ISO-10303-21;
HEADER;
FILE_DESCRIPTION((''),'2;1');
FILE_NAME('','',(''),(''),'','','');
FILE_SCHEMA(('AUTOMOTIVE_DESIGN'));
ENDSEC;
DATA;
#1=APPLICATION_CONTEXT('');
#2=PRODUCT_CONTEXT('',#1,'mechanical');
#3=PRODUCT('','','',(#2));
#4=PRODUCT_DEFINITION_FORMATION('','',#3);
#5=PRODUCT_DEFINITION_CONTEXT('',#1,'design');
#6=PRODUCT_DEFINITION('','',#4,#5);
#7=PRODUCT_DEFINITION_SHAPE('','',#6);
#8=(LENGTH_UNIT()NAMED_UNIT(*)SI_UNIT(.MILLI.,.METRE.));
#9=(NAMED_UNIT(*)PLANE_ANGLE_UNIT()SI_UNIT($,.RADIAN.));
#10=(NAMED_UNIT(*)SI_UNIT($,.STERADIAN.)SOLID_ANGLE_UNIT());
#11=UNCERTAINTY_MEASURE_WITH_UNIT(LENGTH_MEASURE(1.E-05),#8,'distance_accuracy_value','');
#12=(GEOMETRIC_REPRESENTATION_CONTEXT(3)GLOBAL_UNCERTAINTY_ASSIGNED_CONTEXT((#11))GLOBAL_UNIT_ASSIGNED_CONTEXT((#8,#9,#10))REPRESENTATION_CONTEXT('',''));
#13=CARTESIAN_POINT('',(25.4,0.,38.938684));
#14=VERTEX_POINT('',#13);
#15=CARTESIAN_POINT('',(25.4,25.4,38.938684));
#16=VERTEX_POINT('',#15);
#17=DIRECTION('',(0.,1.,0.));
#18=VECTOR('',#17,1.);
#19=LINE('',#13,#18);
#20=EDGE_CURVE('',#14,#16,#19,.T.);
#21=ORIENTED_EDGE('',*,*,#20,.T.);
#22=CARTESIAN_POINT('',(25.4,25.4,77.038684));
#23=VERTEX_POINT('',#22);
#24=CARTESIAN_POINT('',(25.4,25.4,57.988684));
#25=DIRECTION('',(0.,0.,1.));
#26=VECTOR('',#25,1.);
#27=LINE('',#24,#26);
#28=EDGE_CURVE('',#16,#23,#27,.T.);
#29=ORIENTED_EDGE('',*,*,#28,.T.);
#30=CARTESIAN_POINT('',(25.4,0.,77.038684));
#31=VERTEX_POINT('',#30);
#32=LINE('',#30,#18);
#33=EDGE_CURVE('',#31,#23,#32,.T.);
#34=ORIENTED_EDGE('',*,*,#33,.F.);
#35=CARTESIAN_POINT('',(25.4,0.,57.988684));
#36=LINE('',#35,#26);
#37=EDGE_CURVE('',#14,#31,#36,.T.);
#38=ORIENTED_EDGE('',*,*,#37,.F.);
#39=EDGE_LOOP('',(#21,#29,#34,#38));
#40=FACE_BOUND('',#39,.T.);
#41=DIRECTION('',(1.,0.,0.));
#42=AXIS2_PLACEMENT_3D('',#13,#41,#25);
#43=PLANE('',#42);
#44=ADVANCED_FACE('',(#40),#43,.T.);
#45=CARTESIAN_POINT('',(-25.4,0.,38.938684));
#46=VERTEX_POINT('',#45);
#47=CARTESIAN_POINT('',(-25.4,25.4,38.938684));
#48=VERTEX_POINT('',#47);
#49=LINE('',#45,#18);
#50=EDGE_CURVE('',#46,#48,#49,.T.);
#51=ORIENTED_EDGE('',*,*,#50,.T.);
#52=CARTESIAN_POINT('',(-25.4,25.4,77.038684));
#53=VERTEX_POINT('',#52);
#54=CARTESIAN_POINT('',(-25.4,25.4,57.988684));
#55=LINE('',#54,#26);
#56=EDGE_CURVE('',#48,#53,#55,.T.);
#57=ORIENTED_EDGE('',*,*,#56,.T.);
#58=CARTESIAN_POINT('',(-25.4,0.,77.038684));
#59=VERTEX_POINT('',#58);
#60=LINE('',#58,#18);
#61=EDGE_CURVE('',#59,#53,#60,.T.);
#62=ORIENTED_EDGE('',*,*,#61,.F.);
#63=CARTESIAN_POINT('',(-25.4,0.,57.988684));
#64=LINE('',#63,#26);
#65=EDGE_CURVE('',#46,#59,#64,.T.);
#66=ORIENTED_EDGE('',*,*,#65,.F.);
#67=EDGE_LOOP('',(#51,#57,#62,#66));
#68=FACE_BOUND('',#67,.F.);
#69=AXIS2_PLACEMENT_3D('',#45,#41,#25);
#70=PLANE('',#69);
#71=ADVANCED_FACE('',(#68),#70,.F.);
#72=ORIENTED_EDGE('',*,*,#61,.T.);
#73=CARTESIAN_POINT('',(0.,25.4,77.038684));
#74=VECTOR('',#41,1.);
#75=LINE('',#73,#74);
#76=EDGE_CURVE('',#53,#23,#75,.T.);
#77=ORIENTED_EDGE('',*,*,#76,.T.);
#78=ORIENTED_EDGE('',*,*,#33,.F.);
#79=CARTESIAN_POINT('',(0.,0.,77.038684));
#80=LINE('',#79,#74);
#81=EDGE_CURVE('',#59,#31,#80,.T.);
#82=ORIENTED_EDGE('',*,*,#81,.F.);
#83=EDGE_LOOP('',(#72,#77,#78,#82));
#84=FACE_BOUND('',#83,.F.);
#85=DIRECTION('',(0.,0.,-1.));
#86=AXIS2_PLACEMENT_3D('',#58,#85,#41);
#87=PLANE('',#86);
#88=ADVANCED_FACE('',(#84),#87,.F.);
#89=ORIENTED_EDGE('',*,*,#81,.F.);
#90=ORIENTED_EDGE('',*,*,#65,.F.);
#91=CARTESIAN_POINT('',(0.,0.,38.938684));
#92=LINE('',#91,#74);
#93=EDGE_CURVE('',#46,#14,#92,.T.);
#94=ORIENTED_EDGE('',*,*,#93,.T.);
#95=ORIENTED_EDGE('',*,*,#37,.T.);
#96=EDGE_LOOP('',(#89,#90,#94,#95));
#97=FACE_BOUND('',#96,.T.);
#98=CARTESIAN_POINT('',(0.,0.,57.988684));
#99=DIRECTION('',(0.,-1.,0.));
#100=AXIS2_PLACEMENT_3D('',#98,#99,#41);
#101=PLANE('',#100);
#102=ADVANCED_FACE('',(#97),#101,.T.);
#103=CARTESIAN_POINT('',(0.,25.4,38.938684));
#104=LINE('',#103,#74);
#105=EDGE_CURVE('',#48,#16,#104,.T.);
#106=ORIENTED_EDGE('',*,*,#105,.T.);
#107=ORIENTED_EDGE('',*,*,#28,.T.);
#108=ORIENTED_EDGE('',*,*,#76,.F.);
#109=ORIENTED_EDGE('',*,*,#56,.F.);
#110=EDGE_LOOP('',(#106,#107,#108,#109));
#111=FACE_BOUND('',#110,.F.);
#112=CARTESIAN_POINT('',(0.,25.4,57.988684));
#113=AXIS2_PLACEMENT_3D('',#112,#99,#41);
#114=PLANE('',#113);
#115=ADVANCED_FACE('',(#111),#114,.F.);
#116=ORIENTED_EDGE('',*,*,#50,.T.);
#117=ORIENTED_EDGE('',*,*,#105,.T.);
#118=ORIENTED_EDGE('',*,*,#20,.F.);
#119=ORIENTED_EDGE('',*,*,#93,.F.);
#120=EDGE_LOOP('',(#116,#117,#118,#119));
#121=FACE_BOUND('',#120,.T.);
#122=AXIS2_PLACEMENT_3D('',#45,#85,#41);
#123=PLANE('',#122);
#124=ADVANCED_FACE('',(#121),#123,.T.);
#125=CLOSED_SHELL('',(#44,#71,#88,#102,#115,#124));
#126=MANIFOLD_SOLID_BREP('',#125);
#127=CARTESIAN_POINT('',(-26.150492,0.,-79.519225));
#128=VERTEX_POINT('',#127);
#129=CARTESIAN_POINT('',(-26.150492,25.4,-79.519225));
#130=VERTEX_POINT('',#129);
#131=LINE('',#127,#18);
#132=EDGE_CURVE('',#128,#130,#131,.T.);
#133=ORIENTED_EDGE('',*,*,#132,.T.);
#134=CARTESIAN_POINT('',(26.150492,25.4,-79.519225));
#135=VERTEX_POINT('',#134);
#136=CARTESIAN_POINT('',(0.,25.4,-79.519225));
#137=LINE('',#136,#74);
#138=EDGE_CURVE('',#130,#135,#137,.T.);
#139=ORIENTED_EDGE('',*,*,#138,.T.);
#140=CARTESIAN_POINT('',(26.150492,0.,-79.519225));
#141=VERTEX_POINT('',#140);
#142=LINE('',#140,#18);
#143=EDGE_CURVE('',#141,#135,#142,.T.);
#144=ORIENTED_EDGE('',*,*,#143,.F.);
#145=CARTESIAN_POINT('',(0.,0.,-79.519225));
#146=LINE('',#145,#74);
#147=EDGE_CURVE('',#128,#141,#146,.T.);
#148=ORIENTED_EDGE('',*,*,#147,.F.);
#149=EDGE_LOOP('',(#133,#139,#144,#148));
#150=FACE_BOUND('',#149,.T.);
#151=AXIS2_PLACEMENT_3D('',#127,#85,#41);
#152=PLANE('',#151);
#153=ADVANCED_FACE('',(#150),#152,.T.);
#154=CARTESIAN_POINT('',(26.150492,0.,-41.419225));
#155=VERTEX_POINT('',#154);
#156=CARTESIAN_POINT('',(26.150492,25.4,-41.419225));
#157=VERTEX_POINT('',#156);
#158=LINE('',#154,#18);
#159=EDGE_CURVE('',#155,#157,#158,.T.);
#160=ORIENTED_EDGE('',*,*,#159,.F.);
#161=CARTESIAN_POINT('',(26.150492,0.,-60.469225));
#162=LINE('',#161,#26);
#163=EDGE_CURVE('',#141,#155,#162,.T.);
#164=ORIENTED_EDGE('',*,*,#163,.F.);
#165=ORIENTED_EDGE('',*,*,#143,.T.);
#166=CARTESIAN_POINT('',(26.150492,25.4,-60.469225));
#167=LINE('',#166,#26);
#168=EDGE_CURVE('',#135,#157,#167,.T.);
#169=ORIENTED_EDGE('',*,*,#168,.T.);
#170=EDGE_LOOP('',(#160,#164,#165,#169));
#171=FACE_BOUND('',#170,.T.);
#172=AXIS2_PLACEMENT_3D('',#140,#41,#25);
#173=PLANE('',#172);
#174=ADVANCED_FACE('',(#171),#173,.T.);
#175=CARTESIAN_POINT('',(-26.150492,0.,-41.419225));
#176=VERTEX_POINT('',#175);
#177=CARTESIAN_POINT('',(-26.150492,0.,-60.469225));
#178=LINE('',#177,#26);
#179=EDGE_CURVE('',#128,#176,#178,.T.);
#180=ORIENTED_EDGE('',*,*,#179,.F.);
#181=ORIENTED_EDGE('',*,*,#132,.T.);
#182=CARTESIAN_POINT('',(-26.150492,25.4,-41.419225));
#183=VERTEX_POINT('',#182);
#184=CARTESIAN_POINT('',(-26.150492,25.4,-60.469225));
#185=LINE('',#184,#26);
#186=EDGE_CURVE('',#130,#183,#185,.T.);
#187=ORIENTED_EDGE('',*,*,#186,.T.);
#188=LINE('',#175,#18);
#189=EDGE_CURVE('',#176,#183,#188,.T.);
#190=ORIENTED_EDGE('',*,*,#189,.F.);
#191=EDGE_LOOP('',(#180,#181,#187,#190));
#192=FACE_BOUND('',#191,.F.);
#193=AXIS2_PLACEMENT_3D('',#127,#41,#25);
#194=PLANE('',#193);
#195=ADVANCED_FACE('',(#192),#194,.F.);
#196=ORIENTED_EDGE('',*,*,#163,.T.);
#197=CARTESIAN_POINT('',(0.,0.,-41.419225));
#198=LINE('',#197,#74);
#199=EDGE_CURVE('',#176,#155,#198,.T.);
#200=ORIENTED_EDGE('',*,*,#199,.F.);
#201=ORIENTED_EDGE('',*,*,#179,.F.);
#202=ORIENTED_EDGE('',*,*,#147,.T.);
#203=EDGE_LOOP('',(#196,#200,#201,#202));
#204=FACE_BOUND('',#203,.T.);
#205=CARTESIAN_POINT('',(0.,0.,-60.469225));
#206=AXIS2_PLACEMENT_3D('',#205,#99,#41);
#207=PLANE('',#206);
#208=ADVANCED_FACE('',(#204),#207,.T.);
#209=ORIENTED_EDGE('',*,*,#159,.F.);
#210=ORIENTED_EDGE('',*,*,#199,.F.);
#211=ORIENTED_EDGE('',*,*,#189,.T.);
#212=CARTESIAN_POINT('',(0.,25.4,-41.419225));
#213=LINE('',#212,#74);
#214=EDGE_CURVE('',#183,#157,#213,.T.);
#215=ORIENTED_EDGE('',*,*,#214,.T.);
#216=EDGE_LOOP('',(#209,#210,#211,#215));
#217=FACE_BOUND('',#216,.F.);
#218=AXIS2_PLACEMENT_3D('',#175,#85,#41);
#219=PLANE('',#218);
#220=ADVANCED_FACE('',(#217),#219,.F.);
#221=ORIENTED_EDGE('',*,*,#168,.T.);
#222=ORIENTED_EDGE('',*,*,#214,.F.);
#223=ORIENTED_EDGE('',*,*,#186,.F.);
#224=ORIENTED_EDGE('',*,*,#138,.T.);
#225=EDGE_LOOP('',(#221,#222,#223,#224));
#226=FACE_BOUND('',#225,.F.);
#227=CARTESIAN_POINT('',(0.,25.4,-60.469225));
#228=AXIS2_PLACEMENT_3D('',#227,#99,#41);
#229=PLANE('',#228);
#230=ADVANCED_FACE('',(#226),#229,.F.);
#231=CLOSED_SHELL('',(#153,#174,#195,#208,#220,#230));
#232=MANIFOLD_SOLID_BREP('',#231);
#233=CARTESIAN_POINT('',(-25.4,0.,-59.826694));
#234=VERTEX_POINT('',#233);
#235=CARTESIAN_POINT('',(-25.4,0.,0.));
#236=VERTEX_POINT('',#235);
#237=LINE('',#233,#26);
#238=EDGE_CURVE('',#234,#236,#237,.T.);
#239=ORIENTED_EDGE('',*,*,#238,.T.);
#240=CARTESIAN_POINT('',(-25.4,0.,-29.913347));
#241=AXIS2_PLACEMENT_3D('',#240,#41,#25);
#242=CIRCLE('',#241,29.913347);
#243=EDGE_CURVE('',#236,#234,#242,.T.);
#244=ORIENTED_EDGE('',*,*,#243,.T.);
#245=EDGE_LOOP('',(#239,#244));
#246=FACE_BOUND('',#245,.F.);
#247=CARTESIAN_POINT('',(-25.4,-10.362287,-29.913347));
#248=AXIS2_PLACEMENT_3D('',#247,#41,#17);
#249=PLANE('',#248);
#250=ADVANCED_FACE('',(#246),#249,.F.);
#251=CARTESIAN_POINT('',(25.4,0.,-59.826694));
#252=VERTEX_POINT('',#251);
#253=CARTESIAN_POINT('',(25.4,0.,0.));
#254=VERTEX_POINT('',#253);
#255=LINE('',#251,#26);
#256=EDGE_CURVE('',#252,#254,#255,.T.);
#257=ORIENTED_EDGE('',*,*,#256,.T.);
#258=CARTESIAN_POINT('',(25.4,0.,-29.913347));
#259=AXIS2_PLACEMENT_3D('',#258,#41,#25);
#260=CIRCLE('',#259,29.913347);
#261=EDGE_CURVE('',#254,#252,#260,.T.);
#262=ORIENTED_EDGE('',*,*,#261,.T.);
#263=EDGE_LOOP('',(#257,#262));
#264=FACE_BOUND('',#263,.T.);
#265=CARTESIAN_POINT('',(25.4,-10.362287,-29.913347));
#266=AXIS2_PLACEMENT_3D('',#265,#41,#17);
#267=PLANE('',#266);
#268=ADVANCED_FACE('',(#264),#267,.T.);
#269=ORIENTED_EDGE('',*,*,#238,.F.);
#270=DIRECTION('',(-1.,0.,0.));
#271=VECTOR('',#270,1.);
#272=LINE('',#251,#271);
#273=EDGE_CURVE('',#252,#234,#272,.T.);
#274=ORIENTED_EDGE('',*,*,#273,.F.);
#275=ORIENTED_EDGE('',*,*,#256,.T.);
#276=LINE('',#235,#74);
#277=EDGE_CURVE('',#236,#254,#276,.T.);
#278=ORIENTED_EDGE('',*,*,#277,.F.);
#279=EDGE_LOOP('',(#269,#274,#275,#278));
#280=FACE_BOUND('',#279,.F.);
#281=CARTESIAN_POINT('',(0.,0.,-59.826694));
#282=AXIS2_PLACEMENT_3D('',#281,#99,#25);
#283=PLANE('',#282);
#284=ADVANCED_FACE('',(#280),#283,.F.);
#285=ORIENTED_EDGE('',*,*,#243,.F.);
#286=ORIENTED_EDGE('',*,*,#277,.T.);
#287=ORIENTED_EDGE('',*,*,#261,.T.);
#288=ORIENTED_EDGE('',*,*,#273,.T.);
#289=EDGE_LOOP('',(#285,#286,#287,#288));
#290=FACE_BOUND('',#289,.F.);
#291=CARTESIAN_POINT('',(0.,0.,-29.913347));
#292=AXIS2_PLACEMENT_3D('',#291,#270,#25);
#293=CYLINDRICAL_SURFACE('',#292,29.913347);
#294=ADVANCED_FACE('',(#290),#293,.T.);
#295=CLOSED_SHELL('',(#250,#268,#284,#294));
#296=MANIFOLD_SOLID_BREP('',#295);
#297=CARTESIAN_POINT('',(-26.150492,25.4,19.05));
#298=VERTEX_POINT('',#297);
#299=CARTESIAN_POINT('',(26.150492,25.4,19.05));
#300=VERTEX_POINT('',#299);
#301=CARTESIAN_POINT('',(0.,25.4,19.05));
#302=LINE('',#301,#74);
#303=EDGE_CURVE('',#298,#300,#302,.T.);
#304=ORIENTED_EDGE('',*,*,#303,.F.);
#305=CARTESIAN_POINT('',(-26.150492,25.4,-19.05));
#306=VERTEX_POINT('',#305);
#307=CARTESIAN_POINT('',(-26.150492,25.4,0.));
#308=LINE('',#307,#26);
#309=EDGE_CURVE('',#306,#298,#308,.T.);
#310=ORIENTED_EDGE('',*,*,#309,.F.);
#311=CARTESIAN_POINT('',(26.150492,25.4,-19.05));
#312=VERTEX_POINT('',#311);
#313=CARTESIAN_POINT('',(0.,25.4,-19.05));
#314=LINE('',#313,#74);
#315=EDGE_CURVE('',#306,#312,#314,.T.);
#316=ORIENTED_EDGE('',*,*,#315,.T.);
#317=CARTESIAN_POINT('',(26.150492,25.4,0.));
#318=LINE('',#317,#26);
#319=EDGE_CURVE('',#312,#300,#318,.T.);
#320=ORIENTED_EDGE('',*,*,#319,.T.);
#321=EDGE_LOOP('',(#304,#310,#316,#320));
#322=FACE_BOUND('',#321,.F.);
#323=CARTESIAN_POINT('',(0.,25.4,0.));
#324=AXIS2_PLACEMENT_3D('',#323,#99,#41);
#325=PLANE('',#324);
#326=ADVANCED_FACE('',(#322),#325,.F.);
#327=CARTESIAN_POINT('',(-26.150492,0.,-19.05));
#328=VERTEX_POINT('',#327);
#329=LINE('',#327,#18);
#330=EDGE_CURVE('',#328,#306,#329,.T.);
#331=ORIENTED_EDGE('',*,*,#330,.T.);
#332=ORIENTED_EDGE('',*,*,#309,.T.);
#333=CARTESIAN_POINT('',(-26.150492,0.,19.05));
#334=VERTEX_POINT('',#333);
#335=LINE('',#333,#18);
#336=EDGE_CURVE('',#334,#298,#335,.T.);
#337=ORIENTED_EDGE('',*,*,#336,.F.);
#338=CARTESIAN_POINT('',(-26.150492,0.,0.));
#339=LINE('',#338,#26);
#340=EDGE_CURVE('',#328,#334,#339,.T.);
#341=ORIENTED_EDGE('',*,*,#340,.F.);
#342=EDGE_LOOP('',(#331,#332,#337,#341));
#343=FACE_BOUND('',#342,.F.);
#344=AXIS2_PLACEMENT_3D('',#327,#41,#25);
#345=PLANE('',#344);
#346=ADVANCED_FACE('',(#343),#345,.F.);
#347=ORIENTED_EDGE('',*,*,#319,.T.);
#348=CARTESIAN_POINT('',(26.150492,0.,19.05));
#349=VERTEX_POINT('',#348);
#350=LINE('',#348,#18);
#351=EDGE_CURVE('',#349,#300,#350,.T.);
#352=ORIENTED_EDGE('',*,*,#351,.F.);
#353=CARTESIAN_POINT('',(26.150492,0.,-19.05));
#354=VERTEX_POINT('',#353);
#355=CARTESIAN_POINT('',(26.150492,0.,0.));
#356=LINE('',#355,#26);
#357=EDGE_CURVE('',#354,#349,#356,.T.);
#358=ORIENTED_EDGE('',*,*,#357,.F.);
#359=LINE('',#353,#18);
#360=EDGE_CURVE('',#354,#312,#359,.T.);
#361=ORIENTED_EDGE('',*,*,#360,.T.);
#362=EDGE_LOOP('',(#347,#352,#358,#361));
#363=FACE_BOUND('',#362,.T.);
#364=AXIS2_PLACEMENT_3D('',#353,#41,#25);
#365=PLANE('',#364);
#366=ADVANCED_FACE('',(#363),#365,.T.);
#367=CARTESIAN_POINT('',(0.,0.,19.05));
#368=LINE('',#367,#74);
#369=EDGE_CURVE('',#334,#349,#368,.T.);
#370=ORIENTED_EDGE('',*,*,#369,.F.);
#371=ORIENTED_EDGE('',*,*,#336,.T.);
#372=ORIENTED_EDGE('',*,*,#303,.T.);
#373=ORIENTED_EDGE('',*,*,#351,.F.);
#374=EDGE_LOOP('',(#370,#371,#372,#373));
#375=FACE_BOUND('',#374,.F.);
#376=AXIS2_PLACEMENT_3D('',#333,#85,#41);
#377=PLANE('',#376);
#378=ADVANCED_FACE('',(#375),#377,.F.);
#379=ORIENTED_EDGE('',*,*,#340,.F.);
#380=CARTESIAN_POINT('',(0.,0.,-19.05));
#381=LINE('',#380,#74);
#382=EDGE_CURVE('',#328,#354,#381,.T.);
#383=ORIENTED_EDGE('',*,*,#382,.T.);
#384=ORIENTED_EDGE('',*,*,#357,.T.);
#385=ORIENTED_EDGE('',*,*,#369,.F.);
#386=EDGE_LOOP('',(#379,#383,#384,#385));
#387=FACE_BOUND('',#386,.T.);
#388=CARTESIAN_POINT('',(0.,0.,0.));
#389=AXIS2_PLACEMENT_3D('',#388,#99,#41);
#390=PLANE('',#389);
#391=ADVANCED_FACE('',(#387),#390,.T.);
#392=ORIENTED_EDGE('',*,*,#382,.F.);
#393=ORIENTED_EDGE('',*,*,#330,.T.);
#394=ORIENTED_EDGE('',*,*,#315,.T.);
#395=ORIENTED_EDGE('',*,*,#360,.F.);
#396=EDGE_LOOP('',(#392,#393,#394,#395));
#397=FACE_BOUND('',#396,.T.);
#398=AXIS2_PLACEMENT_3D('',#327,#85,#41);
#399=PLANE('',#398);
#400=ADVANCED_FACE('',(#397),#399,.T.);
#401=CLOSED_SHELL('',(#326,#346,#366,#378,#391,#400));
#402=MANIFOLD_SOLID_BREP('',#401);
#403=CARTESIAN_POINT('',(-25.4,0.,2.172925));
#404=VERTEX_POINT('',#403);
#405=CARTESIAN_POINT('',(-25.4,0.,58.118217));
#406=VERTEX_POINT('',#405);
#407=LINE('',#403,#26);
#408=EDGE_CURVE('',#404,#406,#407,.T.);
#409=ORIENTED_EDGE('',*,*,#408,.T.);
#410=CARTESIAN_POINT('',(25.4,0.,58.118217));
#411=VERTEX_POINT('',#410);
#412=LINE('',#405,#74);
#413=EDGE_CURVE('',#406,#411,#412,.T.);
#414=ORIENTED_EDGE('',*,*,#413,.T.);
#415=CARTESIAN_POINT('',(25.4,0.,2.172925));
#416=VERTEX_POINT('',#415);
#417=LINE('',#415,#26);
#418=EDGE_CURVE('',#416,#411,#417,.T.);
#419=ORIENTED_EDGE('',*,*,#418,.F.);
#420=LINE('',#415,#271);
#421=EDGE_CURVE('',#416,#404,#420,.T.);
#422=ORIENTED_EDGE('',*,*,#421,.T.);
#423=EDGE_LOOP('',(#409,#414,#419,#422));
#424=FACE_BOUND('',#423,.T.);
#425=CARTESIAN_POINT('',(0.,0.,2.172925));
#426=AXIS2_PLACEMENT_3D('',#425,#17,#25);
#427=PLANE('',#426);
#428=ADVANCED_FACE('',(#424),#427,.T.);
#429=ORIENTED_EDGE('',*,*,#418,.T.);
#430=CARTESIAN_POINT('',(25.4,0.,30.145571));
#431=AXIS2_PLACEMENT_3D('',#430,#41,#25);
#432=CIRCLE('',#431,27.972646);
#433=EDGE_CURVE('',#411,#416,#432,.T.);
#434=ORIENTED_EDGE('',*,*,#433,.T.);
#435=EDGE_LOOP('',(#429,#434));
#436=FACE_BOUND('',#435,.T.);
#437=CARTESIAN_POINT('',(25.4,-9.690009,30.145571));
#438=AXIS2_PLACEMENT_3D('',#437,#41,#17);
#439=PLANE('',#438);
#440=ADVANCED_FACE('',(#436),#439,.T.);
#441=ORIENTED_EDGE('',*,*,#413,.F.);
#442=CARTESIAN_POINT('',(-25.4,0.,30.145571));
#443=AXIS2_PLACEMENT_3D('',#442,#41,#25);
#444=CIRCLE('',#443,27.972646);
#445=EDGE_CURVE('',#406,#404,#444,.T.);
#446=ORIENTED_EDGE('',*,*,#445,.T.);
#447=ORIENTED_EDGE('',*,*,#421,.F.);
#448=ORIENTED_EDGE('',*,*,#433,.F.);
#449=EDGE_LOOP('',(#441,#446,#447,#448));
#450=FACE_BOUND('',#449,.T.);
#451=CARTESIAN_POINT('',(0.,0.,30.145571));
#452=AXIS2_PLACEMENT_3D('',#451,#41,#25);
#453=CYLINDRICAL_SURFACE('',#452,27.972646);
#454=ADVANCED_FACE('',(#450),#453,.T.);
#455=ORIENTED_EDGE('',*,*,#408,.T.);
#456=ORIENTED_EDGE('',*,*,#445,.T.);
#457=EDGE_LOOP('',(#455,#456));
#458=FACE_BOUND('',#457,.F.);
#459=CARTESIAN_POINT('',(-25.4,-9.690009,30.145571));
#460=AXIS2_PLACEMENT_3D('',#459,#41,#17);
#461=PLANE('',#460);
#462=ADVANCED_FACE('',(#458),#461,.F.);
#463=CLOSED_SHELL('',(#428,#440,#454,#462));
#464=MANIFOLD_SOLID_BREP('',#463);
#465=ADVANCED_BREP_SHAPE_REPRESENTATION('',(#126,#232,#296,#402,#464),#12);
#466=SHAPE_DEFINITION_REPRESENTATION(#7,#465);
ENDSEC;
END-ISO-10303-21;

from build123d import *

# Parameters (mm, degrees)
F0_W     = 50.8
F0_H     = 38.1
F0_W_2   = 52.300984
F2_DEPTH = 25.4
F3_DEPTH = 25.4


with BuildPart() as f2:
    # F0 (on Front) → F2 (new body)
    with BuildSketch(Plane.XZ):
        with Locations((0, 57.988684)):
            Rectangle(F0_W, F0_H)
        Rectangle(F0_W_2, F0_H)
        with Locations((0, -60.469225)):
            Rectangle(F0_W_2, F0_H)
    extrude(amount=-F2_DEPTH)


with BuildPart() as f3:
    # F1 (on Right) → F3 (new body, symmetric)
    with BuildSketch(Plane.YZ):
        with BuildLine():
            Line((0, -59.826694), (0, 0))
            ThreePointArc((0, 0), (-29.913347, -29.913347), (0, -59.826694))
        make_face()
        with BuildLine():
            Line((0, 2.172925), (0, 58.118217))
            ThreePointArc((0, 58.118217), (-27.972646, 30.145571), (0, 2.172925))
        make_face()
    extrude(amount=F3_DEPTH, both=True)


solid = Compound([f2.part, f3.part])
